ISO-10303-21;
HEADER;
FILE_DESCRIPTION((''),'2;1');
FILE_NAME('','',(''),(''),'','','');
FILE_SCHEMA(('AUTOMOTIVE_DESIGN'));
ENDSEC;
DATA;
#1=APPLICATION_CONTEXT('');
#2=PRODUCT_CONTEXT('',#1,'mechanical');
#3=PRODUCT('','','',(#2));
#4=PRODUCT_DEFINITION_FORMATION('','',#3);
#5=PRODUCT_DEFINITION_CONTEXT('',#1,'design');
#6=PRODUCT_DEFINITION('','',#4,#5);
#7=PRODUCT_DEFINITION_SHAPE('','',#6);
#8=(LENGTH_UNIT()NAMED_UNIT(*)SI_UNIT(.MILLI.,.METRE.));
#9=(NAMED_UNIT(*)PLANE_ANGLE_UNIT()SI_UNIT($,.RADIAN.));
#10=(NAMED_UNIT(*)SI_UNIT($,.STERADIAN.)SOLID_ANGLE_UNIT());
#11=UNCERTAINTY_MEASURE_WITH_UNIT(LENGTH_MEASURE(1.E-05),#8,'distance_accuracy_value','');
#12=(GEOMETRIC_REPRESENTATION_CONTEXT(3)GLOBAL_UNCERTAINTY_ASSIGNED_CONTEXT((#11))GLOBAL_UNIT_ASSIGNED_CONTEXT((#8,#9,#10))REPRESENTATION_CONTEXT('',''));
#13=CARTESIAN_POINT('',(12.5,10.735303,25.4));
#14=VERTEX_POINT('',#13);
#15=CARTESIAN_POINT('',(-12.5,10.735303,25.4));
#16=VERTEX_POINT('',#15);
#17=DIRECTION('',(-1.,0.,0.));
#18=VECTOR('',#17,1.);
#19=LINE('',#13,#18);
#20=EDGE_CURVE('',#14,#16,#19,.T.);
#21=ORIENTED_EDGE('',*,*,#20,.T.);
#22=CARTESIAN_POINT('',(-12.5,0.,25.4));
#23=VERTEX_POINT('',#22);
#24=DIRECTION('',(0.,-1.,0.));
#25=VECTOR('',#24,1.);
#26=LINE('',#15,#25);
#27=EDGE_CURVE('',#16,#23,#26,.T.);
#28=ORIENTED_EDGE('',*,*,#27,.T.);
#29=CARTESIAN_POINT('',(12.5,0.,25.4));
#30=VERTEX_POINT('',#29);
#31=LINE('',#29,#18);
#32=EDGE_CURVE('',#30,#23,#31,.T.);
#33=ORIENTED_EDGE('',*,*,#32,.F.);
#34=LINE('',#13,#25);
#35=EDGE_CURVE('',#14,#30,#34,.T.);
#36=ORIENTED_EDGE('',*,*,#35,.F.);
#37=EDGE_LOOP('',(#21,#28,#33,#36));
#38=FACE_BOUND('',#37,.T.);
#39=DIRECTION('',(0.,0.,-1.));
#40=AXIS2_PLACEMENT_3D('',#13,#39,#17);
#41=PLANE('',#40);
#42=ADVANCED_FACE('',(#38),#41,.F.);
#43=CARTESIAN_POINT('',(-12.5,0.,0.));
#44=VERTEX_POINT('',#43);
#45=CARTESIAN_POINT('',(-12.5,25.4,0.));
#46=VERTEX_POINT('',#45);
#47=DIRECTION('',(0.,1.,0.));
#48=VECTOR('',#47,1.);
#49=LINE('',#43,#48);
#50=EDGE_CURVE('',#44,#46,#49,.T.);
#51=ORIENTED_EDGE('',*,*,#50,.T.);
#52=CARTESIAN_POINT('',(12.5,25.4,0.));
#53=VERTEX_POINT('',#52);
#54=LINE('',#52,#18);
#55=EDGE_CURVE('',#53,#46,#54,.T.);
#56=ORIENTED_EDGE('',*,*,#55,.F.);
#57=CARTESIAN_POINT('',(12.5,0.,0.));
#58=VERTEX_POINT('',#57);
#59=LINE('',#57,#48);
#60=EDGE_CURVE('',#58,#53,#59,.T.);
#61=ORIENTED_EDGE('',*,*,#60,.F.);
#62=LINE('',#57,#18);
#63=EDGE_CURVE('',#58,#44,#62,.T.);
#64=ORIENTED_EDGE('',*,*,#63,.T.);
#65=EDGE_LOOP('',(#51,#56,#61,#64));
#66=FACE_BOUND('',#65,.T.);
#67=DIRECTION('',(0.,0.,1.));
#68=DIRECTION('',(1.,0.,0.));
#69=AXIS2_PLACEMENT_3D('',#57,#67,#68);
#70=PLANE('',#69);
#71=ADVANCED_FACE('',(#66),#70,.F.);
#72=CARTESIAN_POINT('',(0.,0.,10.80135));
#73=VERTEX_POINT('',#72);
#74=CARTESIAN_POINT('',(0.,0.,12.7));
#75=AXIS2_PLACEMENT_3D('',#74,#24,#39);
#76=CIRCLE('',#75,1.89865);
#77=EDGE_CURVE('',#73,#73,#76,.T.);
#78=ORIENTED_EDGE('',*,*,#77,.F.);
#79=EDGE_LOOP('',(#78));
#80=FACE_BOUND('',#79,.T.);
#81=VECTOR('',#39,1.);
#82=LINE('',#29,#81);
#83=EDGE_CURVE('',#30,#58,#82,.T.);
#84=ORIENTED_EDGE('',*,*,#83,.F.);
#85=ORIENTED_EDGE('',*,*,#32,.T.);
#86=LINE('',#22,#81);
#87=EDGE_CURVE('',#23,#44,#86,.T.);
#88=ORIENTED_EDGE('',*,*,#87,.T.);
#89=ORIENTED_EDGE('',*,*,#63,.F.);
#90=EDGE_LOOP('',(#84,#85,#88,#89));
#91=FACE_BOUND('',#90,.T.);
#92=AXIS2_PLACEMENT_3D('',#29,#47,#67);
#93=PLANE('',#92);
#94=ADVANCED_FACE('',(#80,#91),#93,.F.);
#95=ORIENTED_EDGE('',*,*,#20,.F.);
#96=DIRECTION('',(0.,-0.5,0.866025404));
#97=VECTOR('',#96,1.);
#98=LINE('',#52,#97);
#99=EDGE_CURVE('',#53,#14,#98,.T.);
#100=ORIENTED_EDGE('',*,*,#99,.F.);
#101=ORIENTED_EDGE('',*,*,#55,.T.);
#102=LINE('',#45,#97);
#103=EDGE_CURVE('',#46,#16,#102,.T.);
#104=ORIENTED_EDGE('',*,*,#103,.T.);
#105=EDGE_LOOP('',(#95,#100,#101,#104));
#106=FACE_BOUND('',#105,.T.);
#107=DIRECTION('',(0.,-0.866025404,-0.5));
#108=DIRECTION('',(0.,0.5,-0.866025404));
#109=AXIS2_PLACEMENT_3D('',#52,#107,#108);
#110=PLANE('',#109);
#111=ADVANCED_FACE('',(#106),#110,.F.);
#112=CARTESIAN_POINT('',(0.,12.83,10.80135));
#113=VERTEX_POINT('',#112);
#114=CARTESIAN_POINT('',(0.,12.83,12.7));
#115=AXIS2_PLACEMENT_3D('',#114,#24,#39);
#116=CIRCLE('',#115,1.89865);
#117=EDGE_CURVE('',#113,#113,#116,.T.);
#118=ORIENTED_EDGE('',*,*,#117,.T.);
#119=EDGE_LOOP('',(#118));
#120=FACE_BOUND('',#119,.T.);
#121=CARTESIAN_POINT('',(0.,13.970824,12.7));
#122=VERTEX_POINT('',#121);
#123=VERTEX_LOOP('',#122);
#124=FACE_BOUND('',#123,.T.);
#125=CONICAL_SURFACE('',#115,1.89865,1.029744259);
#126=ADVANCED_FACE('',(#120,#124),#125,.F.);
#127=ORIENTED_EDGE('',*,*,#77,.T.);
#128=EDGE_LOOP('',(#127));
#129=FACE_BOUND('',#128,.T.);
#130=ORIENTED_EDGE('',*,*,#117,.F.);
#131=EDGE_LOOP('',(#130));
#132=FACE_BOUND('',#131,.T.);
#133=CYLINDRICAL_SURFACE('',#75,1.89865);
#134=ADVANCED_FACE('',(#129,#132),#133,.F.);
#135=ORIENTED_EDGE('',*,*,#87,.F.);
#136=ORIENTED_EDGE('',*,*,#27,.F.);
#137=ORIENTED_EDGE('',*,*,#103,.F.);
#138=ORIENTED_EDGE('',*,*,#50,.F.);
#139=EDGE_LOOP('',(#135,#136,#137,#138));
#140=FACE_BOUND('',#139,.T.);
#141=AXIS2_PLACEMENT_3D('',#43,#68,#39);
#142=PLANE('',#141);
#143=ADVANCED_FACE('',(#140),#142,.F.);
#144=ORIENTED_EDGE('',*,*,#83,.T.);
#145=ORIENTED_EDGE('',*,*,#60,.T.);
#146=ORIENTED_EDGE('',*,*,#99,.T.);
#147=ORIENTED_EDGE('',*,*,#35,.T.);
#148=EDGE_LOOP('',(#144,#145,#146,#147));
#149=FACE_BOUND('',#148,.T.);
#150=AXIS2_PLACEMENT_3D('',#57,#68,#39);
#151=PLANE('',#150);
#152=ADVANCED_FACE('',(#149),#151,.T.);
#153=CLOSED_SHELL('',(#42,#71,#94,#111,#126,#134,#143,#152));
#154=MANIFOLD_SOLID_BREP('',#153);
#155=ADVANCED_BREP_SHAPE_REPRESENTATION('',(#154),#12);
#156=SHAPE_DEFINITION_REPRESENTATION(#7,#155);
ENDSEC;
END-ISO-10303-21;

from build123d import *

# Parameters (mm, degrees)
BOSS_EXTRUDE1_DEPTH        = 12.5
F_10_24_TAPPED_HOLE2_D     = 3.7973
F_10_24_TAPPED_HOLE2_DEPTH = 12.83
F_10_24_TAPPED_HOLE2_TIP   = 1.140824014


with BuildPart() as part:
    # Sketch1 → Boss-Extrude1 (new body, symmetric)
    with BuildSketch(Plane(origin=(0, 0, 0), x_dir=(0, 0, -1), z_dir=(1, 0, 0))):
        Polygon((0, 0), (0, 25.4), (-25.4, 10.735303163), (-25.4, 0), align=None)
    extrude(amount=BOSS_EXTRUDE1_DEPTH, both=True)

    # #10-24 Tapped Hole2
    with Locations(Plane(origin=(0, 0, 0), x_dir=(-1, 0, 0), z_dir=(0, -1, 0))):
        with Locations((105.780967711, 37.577069838), (0, -12.7)):
            Hole(F_10_24_TAPPED_HOLE2_D / 2, depth=F_10_24_TAPPED_HOLE2_DEPTH)
            with Locations((0, 0, -(F_10_24_TAPPED_HOLE2_DEPTH + F_10_24_TAPPED_HOLE2_TIP / 2))):  # 118° drill point
                Cone(0, F_10_24_TAPPED_HOLE2_D / 2, F_10_24_TAPPED_HOLE2_TIP, mode=Mode.SUBTRACT)


solid = part.part
